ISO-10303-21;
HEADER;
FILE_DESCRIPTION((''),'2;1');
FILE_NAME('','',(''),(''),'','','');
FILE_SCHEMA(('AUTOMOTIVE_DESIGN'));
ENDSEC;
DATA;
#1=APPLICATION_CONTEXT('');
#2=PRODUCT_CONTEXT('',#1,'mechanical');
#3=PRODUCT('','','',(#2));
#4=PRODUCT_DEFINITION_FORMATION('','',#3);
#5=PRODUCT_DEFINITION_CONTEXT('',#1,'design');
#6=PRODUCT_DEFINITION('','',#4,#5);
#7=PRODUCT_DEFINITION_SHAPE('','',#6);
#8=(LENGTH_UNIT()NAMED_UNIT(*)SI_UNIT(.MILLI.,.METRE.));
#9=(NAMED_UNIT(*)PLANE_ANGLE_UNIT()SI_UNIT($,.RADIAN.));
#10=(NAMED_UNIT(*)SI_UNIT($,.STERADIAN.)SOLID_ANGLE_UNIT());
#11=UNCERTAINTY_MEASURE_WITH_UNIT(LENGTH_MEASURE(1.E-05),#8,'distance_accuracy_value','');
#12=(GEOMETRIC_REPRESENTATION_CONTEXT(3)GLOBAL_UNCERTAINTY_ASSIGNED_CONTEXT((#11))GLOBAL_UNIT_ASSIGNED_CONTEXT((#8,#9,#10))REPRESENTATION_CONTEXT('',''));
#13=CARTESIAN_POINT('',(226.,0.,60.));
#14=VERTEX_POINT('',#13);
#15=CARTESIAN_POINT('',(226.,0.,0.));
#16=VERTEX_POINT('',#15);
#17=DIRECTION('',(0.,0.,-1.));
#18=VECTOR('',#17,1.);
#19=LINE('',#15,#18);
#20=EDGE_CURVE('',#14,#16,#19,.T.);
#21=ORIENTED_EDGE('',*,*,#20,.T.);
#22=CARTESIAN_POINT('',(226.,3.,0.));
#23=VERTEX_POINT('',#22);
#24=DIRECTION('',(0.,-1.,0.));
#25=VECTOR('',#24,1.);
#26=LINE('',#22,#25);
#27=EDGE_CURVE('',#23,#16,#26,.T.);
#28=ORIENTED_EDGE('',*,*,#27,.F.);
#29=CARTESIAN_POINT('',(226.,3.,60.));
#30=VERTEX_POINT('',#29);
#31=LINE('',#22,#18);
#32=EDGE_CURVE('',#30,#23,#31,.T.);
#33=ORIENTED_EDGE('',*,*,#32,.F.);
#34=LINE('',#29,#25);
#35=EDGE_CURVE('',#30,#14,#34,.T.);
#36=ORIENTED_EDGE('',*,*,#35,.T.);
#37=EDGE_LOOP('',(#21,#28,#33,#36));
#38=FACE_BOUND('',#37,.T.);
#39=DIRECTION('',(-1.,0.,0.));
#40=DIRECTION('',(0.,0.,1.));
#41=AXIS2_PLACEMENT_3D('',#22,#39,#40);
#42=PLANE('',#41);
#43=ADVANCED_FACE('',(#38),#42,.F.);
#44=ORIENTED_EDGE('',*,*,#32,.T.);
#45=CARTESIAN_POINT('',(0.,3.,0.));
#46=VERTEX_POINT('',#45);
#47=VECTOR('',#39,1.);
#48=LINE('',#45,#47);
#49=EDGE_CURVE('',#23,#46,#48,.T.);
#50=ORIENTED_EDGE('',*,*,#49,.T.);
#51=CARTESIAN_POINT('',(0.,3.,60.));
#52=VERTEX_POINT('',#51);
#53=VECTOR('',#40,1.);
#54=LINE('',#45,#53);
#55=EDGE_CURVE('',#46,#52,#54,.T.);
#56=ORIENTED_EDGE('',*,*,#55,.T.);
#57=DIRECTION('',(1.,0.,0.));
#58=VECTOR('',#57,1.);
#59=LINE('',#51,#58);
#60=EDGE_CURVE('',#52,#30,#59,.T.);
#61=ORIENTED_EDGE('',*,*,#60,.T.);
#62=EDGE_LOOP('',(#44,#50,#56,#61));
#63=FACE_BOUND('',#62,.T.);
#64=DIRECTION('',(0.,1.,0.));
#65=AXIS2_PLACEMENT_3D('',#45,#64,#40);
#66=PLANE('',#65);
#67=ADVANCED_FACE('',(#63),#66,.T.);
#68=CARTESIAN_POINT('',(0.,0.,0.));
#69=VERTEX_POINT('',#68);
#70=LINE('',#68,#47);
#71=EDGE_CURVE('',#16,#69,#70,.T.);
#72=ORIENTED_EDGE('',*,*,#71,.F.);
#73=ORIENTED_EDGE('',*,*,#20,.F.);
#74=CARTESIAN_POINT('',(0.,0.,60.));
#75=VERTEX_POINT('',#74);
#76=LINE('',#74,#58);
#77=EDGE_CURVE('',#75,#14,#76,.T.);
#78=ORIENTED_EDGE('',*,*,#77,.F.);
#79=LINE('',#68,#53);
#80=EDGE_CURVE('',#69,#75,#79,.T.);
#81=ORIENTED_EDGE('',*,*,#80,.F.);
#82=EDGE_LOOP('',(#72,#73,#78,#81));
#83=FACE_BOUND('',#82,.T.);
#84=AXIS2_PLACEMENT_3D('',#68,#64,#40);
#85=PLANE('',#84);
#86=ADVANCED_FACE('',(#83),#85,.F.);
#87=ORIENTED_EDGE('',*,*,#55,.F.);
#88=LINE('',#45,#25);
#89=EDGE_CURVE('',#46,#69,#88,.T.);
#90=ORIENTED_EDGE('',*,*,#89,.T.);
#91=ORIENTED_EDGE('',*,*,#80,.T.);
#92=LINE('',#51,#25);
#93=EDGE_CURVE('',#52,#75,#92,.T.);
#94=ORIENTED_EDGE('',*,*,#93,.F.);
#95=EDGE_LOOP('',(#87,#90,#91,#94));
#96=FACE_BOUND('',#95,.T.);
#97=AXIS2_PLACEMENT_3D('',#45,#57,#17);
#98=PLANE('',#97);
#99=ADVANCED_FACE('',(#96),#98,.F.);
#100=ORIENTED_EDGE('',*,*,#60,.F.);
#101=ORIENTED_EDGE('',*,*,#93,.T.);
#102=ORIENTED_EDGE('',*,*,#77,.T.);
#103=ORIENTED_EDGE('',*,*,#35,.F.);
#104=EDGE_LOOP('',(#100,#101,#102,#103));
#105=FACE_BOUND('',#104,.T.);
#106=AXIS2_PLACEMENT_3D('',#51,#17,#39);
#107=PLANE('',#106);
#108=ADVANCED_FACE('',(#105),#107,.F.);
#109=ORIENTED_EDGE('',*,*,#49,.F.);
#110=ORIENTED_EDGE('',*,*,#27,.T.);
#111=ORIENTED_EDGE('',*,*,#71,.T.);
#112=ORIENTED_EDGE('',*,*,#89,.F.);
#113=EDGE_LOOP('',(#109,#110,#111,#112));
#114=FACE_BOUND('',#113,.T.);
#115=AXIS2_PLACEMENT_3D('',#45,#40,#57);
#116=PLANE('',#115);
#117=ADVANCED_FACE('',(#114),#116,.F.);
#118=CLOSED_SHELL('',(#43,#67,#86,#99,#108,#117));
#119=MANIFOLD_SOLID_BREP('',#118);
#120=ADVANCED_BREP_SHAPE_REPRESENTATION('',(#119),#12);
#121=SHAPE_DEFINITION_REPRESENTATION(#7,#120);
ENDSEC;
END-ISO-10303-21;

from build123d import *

# Parameters (mm, degrees)
SKETCH_1_W      = 226
SKETCH_1_H      = 60
EXTRUDE_1_DEPTH = 3


with BuildPart() as part:
    # 草图1 → 凸台-拉伸1 (new body)
    with BuildSketch(Plane(origin=(0, 0, 0), x_dir=(1, 0, 0), z_dir=(0, 1, 0))):
        with Locations((113, -30)):
            Rectangle(SKETCH_1_W, SKETCH_1_H)
    extrude(amount=EXTRUDE_1_DEPTH)


solid = part.part
